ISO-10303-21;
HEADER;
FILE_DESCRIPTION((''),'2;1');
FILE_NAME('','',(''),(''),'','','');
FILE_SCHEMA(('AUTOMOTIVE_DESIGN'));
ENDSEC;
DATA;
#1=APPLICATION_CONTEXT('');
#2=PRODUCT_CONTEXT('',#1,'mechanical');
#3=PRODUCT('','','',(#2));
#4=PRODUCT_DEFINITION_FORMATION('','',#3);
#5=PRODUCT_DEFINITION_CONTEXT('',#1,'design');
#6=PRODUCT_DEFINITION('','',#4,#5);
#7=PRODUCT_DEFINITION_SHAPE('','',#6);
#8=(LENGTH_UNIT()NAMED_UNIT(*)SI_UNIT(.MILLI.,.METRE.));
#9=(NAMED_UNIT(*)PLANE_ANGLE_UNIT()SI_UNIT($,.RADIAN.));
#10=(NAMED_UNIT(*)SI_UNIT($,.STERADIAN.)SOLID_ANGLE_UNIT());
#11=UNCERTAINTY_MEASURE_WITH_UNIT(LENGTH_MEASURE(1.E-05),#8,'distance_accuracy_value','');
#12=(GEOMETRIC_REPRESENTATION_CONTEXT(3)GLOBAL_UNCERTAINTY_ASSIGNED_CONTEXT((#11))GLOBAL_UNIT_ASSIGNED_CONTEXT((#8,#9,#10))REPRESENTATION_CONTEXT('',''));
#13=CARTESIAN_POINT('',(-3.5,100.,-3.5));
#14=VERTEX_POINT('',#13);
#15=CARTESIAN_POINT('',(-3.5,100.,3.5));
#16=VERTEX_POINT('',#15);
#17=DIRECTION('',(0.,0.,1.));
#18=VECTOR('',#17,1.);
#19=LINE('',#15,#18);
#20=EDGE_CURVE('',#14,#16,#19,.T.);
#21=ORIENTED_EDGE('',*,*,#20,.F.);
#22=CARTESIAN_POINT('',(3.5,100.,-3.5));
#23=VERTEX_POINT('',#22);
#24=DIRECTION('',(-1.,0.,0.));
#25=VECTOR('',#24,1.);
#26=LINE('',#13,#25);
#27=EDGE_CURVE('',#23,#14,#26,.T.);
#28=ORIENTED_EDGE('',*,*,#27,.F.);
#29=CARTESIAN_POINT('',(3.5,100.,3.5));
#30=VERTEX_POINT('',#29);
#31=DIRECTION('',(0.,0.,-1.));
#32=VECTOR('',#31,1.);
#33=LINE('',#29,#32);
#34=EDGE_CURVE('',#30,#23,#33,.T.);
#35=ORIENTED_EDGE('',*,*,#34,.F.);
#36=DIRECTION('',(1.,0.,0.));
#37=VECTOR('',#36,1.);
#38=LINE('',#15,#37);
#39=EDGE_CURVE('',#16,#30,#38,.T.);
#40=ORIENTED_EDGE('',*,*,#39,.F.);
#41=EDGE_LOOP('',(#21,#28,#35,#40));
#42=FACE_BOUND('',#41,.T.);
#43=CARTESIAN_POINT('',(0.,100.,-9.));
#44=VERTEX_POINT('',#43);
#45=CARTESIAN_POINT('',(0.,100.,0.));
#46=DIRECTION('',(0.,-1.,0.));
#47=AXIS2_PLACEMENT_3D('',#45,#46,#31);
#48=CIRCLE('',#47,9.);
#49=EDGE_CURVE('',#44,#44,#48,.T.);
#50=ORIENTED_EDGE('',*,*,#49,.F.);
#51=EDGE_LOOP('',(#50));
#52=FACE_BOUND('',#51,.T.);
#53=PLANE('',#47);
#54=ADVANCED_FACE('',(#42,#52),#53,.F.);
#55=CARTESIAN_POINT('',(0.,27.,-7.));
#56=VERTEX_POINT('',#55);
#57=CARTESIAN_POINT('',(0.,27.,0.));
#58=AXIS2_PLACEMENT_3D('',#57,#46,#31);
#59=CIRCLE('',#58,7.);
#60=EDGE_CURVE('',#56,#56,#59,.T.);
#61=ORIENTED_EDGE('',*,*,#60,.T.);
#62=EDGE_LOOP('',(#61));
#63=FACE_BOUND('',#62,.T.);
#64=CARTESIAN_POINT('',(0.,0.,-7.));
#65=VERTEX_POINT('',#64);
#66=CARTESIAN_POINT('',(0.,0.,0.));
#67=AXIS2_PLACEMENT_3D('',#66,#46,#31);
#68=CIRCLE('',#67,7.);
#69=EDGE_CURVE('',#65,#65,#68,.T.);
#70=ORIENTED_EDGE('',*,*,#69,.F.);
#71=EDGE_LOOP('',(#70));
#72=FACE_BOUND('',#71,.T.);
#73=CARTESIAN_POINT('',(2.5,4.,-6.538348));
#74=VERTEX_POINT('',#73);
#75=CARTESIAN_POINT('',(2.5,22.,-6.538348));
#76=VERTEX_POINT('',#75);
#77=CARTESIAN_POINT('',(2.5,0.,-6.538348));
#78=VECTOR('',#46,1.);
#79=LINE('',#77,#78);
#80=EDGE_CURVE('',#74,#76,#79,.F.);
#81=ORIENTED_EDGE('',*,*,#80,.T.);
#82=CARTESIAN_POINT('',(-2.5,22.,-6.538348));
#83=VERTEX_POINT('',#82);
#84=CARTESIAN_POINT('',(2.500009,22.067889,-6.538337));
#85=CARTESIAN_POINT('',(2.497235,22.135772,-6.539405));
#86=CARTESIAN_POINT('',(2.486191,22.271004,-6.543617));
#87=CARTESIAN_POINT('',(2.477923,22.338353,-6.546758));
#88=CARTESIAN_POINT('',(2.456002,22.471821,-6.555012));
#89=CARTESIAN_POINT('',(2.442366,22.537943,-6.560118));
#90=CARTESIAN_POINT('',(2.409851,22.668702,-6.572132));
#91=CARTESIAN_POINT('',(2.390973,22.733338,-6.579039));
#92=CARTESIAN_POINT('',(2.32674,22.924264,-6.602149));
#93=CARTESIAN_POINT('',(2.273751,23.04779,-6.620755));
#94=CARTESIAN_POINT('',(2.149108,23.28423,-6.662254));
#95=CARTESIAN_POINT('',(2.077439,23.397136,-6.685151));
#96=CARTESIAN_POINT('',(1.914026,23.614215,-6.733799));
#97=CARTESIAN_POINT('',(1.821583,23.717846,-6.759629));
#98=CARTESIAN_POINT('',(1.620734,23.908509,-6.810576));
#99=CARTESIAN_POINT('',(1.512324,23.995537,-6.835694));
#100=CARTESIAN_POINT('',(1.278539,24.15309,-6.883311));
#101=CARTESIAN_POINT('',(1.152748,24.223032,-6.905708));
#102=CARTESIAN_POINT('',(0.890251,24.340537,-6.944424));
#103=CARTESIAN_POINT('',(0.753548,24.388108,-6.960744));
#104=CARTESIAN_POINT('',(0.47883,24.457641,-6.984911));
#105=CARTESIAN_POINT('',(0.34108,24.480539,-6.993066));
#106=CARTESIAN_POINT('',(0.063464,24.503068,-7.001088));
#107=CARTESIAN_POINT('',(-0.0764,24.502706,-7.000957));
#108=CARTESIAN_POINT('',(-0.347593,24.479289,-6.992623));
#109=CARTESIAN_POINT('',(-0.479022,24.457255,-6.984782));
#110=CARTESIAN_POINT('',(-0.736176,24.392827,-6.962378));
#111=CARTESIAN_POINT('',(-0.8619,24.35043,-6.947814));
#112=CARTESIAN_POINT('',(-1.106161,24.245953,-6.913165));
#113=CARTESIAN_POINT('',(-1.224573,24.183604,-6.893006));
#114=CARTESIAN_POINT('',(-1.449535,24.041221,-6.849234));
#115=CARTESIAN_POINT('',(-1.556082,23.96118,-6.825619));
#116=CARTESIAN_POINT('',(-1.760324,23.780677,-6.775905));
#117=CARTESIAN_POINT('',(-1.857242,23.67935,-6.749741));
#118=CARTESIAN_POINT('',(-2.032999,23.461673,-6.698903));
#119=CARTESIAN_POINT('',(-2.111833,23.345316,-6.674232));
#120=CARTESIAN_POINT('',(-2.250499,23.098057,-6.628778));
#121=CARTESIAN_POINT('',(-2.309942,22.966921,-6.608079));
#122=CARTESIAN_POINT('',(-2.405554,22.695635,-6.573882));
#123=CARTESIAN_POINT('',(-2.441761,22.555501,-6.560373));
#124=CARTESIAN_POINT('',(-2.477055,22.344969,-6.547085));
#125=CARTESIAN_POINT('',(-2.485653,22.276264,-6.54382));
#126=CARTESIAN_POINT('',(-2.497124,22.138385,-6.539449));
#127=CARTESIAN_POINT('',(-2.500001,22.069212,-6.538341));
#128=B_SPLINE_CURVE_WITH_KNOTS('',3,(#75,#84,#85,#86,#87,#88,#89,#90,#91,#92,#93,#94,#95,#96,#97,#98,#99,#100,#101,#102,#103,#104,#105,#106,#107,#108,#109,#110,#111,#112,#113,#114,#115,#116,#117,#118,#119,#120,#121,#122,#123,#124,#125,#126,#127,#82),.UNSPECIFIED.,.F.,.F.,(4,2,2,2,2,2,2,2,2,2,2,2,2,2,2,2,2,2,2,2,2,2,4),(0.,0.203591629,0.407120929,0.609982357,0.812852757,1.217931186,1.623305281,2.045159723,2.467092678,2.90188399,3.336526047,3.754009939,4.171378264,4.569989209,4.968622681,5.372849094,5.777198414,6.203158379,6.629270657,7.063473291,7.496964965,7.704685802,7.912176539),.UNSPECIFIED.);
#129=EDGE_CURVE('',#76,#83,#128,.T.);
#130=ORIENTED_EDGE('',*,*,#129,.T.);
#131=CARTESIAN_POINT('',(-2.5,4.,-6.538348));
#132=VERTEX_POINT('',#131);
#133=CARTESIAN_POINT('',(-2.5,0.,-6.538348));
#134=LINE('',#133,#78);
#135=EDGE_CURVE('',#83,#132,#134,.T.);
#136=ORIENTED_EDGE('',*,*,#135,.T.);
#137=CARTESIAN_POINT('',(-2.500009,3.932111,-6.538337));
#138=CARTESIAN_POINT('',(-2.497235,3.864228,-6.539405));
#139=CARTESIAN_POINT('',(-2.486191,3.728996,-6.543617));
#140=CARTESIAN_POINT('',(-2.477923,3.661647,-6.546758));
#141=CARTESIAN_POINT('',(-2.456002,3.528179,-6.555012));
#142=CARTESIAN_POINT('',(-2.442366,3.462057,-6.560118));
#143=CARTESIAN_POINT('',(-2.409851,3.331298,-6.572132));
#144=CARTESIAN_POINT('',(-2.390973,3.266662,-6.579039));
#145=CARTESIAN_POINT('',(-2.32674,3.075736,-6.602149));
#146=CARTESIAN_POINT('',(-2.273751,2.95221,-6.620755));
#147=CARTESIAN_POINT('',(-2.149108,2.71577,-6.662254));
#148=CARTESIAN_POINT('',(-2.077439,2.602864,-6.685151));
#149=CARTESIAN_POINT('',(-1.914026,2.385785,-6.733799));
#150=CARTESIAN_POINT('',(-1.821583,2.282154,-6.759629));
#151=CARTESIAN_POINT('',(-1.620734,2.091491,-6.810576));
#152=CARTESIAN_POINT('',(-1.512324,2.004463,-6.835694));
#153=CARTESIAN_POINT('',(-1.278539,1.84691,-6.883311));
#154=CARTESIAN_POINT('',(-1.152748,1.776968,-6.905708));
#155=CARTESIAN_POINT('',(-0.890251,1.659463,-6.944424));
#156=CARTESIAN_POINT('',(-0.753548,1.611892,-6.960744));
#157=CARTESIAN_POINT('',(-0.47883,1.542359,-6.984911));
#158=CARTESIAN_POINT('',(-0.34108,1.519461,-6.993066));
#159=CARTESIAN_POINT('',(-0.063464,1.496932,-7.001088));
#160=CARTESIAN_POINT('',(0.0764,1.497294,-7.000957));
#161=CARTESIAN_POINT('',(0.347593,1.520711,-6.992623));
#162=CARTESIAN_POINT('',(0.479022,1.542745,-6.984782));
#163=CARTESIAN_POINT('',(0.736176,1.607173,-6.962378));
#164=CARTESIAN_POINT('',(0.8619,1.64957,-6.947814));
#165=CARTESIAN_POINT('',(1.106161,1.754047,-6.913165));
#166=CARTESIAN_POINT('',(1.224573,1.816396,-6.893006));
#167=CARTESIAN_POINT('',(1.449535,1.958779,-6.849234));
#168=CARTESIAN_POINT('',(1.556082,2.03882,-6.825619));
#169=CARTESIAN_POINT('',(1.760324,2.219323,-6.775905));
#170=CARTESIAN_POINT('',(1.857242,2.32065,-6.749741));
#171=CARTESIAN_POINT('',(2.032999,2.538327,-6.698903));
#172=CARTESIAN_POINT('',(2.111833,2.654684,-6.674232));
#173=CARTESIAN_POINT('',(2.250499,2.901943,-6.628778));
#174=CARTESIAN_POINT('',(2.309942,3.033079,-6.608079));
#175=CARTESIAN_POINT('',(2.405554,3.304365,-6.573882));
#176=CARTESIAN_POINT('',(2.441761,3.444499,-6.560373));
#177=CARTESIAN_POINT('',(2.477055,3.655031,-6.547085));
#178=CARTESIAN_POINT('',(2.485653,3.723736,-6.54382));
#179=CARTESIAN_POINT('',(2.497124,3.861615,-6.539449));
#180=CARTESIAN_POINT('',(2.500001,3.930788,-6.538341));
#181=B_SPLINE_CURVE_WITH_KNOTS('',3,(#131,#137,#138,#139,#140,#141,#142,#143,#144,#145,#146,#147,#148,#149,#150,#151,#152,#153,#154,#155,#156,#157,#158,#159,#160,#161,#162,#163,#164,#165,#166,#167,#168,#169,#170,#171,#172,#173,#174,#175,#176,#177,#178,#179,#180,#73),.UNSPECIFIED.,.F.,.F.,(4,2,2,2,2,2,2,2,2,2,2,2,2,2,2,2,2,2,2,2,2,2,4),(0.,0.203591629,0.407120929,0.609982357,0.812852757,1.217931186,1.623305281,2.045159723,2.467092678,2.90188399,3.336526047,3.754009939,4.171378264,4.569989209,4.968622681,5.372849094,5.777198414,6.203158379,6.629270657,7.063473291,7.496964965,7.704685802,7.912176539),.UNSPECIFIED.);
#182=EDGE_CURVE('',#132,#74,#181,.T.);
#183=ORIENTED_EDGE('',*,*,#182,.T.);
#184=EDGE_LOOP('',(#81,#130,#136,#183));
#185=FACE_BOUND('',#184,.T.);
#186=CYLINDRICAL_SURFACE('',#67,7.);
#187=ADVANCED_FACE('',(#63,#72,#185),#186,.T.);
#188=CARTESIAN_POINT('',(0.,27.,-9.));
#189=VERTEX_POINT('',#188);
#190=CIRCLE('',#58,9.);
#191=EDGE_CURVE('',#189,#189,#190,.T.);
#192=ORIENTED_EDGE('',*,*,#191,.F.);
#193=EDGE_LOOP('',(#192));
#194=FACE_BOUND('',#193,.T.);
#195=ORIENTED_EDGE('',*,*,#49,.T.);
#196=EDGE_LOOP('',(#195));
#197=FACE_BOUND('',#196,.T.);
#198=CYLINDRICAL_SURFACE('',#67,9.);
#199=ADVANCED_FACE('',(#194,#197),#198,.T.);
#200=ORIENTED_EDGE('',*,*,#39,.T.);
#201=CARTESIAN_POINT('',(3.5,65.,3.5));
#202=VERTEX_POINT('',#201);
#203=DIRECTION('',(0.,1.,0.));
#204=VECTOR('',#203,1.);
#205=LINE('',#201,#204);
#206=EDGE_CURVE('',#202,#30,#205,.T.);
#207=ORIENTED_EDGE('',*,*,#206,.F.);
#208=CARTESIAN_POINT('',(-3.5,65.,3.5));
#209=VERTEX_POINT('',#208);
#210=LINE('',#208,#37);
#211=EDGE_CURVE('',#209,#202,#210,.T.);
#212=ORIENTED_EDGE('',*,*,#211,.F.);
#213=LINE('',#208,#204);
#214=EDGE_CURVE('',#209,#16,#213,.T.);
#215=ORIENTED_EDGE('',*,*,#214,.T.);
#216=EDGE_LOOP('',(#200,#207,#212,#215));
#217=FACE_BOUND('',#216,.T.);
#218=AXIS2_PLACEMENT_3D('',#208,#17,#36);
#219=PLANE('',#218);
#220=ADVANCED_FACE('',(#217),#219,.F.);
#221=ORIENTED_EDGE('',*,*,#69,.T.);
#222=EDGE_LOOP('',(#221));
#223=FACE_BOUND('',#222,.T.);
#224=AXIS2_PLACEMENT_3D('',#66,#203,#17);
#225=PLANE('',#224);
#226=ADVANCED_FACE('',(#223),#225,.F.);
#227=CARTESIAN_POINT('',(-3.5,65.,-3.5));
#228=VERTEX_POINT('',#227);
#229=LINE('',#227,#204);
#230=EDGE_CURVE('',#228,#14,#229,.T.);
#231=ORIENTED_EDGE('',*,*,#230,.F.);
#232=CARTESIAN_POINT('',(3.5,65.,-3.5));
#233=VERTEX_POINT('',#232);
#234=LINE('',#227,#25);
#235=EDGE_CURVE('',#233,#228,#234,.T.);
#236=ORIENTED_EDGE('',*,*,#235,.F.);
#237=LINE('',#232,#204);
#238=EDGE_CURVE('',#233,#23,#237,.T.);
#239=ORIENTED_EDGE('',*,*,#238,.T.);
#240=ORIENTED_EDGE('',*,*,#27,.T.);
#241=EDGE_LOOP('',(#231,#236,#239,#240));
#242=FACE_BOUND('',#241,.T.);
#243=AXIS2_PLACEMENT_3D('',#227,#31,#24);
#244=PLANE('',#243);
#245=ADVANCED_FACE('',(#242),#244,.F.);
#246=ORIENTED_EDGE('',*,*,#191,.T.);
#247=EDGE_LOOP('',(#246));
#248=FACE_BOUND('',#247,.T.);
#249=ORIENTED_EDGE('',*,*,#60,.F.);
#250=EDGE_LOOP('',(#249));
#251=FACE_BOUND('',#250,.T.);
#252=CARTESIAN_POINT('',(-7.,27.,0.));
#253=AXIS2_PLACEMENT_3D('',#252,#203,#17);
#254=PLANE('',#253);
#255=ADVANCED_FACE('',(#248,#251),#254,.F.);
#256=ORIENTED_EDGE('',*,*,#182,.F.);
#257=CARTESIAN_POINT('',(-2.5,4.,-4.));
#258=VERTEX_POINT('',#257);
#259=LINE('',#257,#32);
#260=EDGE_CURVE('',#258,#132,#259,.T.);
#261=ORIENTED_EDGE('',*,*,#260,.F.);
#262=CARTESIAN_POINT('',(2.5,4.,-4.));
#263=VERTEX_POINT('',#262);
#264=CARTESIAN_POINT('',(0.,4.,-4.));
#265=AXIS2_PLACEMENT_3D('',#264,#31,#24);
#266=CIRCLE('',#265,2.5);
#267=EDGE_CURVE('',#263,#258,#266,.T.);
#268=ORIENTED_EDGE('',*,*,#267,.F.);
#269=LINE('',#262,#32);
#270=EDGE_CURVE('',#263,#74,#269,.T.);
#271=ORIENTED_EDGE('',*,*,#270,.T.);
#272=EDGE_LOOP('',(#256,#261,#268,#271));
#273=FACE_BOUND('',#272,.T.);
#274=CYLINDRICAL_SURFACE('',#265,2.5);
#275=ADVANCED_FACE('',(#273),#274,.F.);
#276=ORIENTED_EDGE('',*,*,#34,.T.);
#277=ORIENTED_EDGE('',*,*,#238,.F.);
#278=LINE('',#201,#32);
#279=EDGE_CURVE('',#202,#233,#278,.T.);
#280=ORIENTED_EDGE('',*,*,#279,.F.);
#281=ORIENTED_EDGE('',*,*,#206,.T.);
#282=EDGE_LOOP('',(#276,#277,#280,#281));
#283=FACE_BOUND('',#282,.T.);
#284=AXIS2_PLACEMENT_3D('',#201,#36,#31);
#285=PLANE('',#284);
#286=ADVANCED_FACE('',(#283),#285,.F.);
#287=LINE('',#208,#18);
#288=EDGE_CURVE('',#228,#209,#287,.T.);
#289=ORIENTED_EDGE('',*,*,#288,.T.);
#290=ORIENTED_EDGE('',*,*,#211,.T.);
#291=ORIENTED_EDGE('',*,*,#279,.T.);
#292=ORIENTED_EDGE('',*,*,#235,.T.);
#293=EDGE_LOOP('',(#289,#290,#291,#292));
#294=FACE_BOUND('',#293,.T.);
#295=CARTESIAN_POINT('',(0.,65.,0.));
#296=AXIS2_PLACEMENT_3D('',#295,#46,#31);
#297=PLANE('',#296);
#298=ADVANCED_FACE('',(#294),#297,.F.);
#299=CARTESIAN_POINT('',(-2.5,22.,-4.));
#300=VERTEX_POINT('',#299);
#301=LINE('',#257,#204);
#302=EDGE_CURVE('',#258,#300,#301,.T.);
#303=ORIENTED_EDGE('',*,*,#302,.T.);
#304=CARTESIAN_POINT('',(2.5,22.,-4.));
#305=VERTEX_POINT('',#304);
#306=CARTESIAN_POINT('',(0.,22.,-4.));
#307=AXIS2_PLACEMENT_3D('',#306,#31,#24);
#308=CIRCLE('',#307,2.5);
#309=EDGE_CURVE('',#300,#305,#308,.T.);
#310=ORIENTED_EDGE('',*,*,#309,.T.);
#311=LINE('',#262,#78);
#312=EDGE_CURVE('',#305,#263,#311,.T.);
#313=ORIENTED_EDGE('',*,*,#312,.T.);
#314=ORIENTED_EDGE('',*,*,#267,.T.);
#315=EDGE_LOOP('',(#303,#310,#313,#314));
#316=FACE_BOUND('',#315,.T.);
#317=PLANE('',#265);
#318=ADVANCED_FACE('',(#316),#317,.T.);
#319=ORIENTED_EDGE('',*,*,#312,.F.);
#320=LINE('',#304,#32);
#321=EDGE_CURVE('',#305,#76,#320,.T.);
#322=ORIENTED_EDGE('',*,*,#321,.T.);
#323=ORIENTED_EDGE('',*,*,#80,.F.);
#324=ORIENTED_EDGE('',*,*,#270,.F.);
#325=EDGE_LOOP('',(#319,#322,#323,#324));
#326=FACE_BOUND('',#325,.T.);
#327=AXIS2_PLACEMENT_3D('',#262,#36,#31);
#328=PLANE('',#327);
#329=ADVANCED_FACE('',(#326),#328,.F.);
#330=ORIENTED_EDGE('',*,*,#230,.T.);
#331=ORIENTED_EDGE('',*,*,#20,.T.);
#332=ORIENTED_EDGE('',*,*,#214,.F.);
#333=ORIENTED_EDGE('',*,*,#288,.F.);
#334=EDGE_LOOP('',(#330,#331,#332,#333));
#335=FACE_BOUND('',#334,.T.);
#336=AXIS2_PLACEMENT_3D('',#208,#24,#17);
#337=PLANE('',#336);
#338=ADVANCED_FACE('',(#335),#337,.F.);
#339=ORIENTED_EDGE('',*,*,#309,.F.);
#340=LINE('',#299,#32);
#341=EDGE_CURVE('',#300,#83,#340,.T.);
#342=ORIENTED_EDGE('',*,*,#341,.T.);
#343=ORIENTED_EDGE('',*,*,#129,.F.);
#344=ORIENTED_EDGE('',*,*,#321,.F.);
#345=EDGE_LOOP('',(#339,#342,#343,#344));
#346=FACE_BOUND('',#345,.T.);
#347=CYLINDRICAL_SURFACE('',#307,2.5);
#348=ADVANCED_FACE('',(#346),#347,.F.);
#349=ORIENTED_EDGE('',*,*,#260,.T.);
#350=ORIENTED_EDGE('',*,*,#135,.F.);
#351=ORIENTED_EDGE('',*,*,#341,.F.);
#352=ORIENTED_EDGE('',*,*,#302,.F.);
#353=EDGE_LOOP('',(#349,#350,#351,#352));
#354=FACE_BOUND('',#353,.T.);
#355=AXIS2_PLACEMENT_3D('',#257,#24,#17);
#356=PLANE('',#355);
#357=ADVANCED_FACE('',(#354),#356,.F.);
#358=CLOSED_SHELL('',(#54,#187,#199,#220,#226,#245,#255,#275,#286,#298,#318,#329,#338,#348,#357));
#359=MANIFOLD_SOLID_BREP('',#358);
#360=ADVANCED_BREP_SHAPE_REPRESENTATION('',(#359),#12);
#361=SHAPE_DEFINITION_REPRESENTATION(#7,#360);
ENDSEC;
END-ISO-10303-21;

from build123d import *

# Parameters (mm, degrees)
SKETCH_2_W          = 7
SKETCH_2_H          = 7
CUT_EXTRUDE_1_DEPTH = 35
CUT_EXTRUDE_2_DEPTH = 3


with BuildPart() as part:
    # 草图1 → 旋转1 (revolve)
    with BuildSketch(Plane.XY):
        Polygon((0, 0), (-7, 0), (-7, 27), (-9, 27), (-9, 100), (0, 100), align=None)
    revolve(axis=Axis((0, 0, 0), (0, 1, 0)))

    # 草图2 → 切除-拉伸1 (cut)
    with BuildSketch(Plane(origin=(0, 100, 0), x_dir=(1, 0, 0), z_dir=(0, 1, 0))):
        Rectangle(SKETCH_2_W, SKETCH_2_H)
    extrude(amount=-CUT_EXTRUDE_1_DEPTH, mode=Mode.SUBTRACT)

    # 草图4 → 切除-拉伸2 (cut)
    with BuildSketch(Plane(origin=(0, 0, -7), x_dir=(-1, 0, 0), z_dir=(0, 0, -1))):
        with BuildLine():
            Line((-2.5, 4), (-2.5, 22))
            ThreePointArc((-2.5, 22), (0, 24.5), (2.5, 22))
            Line((2.5, 22), (2.5, 4))
            ThreePointArc((2.5, 4), (0, 1.5), (-2.5, 4))
        make_face()
    extrude(amount=-CUT_EXTRUDE_2_DEPTH, mode=Mode.SUBTRACT)


solid = part.part
